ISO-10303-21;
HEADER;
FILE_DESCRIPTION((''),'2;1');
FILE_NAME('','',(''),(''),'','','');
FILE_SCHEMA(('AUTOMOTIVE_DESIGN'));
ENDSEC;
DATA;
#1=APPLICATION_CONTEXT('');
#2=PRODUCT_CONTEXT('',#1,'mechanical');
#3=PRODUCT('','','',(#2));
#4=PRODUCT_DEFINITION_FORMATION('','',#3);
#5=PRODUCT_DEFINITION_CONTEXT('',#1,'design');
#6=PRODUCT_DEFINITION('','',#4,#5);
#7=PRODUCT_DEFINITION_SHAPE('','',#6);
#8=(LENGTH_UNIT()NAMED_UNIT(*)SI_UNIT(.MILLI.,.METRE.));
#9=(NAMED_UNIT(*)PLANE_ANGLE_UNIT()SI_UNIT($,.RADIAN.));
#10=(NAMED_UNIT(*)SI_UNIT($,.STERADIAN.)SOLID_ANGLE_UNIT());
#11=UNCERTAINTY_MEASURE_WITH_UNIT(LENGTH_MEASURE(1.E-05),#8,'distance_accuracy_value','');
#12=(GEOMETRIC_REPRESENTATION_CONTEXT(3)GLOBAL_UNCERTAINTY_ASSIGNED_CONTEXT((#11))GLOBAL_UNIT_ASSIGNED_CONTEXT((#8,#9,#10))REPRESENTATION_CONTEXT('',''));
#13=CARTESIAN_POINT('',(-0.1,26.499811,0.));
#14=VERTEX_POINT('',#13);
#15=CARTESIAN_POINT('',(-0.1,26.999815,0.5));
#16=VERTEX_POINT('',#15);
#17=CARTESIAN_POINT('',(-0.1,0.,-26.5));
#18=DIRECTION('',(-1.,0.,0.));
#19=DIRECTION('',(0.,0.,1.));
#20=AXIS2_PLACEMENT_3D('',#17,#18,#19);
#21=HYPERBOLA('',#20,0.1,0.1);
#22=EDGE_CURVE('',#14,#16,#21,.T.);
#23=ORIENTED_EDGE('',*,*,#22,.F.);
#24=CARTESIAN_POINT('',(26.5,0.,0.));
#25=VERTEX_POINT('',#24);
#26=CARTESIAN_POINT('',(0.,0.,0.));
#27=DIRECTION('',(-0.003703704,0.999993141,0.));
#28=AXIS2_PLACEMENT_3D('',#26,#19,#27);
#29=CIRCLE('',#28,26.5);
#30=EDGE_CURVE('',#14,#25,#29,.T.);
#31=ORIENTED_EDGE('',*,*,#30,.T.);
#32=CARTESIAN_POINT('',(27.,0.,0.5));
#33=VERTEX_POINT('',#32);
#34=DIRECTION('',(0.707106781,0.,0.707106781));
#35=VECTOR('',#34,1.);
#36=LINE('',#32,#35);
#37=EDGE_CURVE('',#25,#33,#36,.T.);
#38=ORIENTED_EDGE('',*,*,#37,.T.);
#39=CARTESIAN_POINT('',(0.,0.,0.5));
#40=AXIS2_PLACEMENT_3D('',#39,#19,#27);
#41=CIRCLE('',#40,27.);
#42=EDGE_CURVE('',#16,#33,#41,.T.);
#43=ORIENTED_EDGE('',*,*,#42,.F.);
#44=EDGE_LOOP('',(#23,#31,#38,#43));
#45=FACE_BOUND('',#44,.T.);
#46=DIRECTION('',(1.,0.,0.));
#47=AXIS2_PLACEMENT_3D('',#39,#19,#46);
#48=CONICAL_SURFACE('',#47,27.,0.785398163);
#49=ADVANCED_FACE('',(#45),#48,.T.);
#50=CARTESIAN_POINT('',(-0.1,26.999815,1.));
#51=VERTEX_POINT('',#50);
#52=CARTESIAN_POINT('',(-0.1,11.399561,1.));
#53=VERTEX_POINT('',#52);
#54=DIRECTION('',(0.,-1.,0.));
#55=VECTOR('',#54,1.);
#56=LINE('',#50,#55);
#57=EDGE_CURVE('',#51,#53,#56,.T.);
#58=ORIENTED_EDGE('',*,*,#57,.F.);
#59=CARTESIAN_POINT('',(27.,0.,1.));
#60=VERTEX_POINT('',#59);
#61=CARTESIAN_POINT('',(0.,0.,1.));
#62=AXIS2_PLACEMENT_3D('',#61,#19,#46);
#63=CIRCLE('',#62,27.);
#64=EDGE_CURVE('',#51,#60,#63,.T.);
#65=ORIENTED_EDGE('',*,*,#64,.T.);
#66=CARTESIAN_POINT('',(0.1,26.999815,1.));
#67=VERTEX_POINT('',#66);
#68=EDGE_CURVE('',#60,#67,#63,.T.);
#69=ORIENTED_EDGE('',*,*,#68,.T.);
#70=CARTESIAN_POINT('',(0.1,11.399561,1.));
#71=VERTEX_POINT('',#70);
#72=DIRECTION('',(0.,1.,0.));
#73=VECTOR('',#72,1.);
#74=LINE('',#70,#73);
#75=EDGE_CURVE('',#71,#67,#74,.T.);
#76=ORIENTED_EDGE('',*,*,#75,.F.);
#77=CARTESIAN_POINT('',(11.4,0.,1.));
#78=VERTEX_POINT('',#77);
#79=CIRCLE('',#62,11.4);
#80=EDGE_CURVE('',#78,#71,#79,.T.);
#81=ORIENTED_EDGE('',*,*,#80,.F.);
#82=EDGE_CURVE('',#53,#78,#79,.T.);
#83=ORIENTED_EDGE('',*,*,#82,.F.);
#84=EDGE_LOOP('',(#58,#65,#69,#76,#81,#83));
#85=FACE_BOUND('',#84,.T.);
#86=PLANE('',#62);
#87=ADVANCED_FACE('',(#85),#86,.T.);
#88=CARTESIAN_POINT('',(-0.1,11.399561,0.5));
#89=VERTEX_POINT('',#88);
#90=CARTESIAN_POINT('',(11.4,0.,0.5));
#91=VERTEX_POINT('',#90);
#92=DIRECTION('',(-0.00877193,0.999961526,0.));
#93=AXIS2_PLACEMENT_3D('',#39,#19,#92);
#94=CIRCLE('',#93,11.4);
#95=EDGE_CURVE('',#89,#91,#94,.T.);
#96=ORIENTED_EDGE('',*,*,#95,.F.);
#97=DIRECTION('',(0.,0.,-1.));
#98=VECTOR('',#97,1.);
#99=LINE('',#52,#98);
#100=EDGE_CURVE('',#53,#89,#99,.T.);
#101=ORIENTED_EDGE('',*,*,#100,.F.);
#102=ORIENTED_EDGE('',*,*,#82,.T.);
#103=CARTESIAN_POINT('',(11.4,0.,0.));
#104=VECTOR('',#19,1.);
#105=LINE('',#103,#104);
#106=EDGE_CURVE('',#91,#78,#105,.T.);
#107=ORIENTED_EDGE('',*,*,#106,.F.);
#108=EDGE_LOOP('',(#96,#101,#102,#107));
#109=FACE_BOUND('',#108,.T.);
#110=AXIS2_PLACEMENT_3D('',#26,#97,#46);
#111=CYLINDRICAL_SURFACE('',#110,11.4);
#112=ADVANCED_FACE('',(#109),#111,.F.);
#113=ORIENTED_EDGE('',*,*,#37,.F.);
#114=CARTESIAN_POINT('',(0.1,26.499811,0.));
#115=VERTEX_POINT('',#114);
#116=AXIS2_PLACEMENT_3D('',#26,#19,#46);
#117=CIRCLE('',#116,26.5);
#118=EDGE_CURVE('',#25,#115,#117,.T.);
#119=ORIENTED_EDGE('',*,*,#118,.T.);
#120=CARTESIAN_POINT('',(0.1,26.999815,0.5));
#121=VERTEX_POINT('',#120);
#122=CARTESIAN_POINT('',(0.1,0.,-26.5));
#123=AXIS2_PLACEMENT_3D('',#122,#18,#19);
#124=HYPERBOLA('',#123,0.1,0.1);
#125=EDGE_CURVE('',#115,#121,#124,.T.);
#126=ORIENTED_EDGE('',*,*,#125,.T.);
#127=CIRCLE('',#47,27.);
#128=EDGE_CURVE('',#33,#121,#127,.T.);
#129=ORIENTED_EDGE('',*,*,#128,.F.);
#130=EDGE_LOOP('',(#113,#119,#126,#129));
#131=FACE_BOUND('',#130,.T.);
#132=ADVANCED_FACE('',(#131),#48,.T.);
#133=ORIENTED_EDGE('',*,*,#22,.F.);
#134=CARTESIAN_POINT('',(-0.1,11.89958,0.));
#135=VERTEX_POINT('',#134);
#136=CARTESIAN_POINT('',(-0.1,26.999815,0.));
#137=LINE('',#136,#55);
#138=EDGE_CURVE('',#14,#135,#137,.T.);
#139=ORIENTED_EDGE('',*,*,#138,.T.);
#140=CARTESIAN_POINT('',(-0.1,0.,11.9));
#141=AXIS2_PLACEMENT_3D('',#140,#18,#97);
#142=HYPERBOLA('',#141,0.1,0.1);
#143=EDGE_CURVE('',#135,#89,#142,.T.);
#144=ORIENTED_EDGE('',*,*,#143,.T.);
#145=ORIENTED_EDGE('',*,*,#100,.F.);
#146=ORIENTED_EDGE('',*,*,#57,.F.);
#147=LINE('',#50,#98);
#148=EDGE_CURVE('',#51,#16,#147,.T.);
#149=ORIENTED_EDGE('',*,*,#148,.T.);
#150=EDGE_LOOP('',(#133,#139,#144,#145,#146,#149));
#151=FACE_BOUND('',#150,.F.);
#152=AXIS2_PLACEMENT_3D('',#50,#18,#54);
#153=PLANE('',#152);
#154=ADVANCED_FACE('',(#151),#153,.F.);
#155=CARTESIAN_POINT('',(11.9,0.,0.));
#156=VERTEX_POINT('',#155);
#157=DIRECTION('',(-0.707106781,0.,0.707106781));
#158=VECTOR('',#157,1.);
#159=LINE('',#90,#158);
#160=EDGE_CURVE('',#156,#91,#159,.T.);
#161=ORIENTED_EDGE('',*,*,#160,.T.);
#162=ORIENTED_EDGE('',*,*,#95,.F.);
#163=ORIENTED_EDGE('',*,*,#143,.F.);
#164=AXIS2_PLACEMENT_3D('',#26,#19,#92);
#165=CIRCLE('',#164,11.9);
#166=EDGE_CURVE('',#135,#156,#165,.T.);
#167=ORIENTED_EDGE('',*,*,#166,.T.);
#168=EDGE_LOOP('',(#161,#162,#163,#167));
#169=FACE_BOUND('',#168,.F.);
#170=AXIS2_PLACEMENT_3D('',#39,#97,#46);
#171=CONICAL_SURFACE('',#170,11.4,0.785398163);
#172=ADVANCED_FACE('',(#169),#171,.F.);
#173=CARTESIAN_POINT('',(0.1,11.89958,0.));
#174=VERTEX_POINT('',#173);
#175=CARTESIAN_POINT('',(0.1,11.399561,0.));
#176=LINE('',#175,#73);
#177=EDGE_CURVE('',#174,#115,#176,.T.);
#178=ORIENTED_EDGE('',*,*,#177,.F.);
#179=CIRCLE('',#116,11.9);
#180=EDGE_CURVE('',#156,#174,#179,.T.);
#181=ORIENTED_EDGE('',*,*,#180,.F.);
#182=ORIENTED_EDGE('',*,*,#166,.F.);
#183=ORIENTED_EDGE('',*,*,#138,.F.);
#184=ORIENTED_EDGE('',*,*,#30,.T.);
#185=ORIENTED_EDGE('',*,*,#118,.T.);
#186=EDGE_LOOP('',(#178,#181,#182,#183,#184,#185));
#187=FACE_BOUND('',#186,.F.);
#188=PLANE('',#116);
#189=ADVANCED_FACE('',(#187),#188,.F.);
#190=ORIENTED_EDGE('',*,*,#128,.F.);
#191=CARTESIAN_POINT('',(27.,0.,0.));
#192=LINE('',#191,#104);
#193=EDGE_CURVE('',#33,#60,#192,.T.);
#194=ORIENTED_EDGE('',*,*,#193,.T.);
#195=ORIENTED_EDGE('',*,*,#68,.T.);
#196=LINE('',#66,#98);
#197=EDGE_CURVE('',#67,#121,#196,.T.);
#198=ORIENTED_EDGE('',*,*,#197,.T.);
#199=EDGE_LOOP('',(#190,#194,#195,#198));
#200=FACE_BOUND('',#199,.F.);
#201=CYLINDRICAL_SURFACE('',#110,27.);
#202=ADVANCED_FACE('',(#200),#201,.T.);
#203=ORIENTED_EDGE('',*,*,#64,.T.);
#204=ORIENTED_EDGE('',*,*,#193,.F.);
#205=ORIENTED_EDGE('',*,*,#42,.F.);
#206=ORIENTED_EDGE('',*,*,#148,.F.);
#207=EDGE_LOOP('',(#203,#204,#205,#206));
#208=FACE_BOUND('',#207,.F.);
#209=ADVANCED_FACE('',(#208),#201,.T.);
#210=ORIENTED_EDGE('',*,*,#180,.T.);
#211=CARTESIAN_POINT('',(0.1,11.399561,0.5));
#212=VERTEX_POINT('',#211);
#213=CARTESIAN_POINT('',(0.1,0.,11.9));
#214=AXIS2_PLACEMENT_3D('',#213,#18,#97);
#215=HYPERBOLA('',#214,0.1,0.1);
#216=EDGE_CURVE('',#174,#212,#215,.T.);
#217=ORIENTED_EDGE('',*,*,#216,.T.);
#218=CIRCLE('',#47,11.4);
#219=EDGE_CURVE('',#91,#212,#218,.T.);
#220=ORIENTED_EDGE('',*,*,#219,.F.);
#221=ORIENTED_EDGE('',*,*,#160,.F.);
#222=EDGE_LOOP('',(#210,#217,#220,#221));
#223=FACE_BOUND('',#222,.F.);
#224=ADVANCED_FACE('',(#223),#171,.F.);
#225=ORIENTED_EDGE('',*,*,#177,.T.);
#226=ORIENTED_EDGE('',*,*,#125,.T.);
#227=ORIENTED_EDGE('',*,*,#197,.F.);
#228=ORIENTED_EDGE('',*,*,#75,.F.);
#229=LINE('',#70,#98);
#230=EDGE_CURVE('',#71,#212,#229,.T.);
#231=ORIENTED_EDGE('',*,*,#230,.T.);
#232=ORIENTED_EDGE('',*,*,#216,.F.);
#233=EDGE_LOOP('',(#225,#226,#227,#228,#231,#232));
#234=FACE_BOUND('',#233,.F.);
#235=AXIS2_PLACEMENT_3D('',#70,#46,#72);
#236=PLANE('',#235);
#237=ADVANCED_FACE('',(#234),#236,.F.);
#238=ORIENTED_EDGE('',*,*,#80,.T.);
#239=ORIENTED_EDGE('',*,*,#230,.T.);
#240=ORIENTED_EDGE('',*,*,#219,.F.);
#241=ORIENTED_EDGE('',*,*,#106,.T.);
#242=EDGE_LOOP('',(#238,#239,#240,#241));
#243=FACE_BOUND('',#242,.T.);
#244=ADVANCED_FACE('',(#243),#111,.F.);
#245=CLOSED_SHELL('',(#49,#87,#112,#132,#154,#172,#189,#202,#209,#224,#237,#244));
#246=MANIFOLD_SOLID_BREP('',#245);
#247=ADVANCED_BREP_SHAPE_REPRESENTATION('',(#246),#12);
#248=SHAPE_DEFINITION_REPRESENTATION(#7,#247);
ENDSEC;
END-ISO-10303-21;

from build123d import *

# Parameters (mm, degrees)
F0_R     = 27
F0_R_2   = 11.4
F1_DEPTH = 1
F3_DEPTH = 1
F4_SIZE  = 0.5


with BuildPart() as f1:
    # F0 (on Top) → F1 (new body)
    with BuildSketch(Plane.XY):
        Circle(F0_R)
        Circle(F0_R_2, mode=Mode.SUBTRACT)
    extrude(amount=F1_DEPTH)

    # F2 (on face) → F3 (cut, through all)
    with BuildSketch(Plane.XY.offset(1)):
        with BuildLine():
            ThreePointArc((0.1, 26.999815), (0, 27), (-0.1, 26.999815))
            Line((-0.1, 26.999815), (-0.1, 11.399561))
            Line((-0.1, 11.399561), (0.1, 11.399561))
            Line((0.1, 11.399561), (0.1, 26.999815))
        make_face()
    extrude(amount=-F3_DEPTH, mode=Mode.SUBTRACT)

    # F4
    f4_edges = [f1.edges().sort_by_distance(p)[0] for p in [
        (-19.056495, -19.127206, 0),
        (-8.025584, -8.096295, 0),
    ]]
    chamfer(f4_edges, length=F4_SIZE)


solid = f1.part
